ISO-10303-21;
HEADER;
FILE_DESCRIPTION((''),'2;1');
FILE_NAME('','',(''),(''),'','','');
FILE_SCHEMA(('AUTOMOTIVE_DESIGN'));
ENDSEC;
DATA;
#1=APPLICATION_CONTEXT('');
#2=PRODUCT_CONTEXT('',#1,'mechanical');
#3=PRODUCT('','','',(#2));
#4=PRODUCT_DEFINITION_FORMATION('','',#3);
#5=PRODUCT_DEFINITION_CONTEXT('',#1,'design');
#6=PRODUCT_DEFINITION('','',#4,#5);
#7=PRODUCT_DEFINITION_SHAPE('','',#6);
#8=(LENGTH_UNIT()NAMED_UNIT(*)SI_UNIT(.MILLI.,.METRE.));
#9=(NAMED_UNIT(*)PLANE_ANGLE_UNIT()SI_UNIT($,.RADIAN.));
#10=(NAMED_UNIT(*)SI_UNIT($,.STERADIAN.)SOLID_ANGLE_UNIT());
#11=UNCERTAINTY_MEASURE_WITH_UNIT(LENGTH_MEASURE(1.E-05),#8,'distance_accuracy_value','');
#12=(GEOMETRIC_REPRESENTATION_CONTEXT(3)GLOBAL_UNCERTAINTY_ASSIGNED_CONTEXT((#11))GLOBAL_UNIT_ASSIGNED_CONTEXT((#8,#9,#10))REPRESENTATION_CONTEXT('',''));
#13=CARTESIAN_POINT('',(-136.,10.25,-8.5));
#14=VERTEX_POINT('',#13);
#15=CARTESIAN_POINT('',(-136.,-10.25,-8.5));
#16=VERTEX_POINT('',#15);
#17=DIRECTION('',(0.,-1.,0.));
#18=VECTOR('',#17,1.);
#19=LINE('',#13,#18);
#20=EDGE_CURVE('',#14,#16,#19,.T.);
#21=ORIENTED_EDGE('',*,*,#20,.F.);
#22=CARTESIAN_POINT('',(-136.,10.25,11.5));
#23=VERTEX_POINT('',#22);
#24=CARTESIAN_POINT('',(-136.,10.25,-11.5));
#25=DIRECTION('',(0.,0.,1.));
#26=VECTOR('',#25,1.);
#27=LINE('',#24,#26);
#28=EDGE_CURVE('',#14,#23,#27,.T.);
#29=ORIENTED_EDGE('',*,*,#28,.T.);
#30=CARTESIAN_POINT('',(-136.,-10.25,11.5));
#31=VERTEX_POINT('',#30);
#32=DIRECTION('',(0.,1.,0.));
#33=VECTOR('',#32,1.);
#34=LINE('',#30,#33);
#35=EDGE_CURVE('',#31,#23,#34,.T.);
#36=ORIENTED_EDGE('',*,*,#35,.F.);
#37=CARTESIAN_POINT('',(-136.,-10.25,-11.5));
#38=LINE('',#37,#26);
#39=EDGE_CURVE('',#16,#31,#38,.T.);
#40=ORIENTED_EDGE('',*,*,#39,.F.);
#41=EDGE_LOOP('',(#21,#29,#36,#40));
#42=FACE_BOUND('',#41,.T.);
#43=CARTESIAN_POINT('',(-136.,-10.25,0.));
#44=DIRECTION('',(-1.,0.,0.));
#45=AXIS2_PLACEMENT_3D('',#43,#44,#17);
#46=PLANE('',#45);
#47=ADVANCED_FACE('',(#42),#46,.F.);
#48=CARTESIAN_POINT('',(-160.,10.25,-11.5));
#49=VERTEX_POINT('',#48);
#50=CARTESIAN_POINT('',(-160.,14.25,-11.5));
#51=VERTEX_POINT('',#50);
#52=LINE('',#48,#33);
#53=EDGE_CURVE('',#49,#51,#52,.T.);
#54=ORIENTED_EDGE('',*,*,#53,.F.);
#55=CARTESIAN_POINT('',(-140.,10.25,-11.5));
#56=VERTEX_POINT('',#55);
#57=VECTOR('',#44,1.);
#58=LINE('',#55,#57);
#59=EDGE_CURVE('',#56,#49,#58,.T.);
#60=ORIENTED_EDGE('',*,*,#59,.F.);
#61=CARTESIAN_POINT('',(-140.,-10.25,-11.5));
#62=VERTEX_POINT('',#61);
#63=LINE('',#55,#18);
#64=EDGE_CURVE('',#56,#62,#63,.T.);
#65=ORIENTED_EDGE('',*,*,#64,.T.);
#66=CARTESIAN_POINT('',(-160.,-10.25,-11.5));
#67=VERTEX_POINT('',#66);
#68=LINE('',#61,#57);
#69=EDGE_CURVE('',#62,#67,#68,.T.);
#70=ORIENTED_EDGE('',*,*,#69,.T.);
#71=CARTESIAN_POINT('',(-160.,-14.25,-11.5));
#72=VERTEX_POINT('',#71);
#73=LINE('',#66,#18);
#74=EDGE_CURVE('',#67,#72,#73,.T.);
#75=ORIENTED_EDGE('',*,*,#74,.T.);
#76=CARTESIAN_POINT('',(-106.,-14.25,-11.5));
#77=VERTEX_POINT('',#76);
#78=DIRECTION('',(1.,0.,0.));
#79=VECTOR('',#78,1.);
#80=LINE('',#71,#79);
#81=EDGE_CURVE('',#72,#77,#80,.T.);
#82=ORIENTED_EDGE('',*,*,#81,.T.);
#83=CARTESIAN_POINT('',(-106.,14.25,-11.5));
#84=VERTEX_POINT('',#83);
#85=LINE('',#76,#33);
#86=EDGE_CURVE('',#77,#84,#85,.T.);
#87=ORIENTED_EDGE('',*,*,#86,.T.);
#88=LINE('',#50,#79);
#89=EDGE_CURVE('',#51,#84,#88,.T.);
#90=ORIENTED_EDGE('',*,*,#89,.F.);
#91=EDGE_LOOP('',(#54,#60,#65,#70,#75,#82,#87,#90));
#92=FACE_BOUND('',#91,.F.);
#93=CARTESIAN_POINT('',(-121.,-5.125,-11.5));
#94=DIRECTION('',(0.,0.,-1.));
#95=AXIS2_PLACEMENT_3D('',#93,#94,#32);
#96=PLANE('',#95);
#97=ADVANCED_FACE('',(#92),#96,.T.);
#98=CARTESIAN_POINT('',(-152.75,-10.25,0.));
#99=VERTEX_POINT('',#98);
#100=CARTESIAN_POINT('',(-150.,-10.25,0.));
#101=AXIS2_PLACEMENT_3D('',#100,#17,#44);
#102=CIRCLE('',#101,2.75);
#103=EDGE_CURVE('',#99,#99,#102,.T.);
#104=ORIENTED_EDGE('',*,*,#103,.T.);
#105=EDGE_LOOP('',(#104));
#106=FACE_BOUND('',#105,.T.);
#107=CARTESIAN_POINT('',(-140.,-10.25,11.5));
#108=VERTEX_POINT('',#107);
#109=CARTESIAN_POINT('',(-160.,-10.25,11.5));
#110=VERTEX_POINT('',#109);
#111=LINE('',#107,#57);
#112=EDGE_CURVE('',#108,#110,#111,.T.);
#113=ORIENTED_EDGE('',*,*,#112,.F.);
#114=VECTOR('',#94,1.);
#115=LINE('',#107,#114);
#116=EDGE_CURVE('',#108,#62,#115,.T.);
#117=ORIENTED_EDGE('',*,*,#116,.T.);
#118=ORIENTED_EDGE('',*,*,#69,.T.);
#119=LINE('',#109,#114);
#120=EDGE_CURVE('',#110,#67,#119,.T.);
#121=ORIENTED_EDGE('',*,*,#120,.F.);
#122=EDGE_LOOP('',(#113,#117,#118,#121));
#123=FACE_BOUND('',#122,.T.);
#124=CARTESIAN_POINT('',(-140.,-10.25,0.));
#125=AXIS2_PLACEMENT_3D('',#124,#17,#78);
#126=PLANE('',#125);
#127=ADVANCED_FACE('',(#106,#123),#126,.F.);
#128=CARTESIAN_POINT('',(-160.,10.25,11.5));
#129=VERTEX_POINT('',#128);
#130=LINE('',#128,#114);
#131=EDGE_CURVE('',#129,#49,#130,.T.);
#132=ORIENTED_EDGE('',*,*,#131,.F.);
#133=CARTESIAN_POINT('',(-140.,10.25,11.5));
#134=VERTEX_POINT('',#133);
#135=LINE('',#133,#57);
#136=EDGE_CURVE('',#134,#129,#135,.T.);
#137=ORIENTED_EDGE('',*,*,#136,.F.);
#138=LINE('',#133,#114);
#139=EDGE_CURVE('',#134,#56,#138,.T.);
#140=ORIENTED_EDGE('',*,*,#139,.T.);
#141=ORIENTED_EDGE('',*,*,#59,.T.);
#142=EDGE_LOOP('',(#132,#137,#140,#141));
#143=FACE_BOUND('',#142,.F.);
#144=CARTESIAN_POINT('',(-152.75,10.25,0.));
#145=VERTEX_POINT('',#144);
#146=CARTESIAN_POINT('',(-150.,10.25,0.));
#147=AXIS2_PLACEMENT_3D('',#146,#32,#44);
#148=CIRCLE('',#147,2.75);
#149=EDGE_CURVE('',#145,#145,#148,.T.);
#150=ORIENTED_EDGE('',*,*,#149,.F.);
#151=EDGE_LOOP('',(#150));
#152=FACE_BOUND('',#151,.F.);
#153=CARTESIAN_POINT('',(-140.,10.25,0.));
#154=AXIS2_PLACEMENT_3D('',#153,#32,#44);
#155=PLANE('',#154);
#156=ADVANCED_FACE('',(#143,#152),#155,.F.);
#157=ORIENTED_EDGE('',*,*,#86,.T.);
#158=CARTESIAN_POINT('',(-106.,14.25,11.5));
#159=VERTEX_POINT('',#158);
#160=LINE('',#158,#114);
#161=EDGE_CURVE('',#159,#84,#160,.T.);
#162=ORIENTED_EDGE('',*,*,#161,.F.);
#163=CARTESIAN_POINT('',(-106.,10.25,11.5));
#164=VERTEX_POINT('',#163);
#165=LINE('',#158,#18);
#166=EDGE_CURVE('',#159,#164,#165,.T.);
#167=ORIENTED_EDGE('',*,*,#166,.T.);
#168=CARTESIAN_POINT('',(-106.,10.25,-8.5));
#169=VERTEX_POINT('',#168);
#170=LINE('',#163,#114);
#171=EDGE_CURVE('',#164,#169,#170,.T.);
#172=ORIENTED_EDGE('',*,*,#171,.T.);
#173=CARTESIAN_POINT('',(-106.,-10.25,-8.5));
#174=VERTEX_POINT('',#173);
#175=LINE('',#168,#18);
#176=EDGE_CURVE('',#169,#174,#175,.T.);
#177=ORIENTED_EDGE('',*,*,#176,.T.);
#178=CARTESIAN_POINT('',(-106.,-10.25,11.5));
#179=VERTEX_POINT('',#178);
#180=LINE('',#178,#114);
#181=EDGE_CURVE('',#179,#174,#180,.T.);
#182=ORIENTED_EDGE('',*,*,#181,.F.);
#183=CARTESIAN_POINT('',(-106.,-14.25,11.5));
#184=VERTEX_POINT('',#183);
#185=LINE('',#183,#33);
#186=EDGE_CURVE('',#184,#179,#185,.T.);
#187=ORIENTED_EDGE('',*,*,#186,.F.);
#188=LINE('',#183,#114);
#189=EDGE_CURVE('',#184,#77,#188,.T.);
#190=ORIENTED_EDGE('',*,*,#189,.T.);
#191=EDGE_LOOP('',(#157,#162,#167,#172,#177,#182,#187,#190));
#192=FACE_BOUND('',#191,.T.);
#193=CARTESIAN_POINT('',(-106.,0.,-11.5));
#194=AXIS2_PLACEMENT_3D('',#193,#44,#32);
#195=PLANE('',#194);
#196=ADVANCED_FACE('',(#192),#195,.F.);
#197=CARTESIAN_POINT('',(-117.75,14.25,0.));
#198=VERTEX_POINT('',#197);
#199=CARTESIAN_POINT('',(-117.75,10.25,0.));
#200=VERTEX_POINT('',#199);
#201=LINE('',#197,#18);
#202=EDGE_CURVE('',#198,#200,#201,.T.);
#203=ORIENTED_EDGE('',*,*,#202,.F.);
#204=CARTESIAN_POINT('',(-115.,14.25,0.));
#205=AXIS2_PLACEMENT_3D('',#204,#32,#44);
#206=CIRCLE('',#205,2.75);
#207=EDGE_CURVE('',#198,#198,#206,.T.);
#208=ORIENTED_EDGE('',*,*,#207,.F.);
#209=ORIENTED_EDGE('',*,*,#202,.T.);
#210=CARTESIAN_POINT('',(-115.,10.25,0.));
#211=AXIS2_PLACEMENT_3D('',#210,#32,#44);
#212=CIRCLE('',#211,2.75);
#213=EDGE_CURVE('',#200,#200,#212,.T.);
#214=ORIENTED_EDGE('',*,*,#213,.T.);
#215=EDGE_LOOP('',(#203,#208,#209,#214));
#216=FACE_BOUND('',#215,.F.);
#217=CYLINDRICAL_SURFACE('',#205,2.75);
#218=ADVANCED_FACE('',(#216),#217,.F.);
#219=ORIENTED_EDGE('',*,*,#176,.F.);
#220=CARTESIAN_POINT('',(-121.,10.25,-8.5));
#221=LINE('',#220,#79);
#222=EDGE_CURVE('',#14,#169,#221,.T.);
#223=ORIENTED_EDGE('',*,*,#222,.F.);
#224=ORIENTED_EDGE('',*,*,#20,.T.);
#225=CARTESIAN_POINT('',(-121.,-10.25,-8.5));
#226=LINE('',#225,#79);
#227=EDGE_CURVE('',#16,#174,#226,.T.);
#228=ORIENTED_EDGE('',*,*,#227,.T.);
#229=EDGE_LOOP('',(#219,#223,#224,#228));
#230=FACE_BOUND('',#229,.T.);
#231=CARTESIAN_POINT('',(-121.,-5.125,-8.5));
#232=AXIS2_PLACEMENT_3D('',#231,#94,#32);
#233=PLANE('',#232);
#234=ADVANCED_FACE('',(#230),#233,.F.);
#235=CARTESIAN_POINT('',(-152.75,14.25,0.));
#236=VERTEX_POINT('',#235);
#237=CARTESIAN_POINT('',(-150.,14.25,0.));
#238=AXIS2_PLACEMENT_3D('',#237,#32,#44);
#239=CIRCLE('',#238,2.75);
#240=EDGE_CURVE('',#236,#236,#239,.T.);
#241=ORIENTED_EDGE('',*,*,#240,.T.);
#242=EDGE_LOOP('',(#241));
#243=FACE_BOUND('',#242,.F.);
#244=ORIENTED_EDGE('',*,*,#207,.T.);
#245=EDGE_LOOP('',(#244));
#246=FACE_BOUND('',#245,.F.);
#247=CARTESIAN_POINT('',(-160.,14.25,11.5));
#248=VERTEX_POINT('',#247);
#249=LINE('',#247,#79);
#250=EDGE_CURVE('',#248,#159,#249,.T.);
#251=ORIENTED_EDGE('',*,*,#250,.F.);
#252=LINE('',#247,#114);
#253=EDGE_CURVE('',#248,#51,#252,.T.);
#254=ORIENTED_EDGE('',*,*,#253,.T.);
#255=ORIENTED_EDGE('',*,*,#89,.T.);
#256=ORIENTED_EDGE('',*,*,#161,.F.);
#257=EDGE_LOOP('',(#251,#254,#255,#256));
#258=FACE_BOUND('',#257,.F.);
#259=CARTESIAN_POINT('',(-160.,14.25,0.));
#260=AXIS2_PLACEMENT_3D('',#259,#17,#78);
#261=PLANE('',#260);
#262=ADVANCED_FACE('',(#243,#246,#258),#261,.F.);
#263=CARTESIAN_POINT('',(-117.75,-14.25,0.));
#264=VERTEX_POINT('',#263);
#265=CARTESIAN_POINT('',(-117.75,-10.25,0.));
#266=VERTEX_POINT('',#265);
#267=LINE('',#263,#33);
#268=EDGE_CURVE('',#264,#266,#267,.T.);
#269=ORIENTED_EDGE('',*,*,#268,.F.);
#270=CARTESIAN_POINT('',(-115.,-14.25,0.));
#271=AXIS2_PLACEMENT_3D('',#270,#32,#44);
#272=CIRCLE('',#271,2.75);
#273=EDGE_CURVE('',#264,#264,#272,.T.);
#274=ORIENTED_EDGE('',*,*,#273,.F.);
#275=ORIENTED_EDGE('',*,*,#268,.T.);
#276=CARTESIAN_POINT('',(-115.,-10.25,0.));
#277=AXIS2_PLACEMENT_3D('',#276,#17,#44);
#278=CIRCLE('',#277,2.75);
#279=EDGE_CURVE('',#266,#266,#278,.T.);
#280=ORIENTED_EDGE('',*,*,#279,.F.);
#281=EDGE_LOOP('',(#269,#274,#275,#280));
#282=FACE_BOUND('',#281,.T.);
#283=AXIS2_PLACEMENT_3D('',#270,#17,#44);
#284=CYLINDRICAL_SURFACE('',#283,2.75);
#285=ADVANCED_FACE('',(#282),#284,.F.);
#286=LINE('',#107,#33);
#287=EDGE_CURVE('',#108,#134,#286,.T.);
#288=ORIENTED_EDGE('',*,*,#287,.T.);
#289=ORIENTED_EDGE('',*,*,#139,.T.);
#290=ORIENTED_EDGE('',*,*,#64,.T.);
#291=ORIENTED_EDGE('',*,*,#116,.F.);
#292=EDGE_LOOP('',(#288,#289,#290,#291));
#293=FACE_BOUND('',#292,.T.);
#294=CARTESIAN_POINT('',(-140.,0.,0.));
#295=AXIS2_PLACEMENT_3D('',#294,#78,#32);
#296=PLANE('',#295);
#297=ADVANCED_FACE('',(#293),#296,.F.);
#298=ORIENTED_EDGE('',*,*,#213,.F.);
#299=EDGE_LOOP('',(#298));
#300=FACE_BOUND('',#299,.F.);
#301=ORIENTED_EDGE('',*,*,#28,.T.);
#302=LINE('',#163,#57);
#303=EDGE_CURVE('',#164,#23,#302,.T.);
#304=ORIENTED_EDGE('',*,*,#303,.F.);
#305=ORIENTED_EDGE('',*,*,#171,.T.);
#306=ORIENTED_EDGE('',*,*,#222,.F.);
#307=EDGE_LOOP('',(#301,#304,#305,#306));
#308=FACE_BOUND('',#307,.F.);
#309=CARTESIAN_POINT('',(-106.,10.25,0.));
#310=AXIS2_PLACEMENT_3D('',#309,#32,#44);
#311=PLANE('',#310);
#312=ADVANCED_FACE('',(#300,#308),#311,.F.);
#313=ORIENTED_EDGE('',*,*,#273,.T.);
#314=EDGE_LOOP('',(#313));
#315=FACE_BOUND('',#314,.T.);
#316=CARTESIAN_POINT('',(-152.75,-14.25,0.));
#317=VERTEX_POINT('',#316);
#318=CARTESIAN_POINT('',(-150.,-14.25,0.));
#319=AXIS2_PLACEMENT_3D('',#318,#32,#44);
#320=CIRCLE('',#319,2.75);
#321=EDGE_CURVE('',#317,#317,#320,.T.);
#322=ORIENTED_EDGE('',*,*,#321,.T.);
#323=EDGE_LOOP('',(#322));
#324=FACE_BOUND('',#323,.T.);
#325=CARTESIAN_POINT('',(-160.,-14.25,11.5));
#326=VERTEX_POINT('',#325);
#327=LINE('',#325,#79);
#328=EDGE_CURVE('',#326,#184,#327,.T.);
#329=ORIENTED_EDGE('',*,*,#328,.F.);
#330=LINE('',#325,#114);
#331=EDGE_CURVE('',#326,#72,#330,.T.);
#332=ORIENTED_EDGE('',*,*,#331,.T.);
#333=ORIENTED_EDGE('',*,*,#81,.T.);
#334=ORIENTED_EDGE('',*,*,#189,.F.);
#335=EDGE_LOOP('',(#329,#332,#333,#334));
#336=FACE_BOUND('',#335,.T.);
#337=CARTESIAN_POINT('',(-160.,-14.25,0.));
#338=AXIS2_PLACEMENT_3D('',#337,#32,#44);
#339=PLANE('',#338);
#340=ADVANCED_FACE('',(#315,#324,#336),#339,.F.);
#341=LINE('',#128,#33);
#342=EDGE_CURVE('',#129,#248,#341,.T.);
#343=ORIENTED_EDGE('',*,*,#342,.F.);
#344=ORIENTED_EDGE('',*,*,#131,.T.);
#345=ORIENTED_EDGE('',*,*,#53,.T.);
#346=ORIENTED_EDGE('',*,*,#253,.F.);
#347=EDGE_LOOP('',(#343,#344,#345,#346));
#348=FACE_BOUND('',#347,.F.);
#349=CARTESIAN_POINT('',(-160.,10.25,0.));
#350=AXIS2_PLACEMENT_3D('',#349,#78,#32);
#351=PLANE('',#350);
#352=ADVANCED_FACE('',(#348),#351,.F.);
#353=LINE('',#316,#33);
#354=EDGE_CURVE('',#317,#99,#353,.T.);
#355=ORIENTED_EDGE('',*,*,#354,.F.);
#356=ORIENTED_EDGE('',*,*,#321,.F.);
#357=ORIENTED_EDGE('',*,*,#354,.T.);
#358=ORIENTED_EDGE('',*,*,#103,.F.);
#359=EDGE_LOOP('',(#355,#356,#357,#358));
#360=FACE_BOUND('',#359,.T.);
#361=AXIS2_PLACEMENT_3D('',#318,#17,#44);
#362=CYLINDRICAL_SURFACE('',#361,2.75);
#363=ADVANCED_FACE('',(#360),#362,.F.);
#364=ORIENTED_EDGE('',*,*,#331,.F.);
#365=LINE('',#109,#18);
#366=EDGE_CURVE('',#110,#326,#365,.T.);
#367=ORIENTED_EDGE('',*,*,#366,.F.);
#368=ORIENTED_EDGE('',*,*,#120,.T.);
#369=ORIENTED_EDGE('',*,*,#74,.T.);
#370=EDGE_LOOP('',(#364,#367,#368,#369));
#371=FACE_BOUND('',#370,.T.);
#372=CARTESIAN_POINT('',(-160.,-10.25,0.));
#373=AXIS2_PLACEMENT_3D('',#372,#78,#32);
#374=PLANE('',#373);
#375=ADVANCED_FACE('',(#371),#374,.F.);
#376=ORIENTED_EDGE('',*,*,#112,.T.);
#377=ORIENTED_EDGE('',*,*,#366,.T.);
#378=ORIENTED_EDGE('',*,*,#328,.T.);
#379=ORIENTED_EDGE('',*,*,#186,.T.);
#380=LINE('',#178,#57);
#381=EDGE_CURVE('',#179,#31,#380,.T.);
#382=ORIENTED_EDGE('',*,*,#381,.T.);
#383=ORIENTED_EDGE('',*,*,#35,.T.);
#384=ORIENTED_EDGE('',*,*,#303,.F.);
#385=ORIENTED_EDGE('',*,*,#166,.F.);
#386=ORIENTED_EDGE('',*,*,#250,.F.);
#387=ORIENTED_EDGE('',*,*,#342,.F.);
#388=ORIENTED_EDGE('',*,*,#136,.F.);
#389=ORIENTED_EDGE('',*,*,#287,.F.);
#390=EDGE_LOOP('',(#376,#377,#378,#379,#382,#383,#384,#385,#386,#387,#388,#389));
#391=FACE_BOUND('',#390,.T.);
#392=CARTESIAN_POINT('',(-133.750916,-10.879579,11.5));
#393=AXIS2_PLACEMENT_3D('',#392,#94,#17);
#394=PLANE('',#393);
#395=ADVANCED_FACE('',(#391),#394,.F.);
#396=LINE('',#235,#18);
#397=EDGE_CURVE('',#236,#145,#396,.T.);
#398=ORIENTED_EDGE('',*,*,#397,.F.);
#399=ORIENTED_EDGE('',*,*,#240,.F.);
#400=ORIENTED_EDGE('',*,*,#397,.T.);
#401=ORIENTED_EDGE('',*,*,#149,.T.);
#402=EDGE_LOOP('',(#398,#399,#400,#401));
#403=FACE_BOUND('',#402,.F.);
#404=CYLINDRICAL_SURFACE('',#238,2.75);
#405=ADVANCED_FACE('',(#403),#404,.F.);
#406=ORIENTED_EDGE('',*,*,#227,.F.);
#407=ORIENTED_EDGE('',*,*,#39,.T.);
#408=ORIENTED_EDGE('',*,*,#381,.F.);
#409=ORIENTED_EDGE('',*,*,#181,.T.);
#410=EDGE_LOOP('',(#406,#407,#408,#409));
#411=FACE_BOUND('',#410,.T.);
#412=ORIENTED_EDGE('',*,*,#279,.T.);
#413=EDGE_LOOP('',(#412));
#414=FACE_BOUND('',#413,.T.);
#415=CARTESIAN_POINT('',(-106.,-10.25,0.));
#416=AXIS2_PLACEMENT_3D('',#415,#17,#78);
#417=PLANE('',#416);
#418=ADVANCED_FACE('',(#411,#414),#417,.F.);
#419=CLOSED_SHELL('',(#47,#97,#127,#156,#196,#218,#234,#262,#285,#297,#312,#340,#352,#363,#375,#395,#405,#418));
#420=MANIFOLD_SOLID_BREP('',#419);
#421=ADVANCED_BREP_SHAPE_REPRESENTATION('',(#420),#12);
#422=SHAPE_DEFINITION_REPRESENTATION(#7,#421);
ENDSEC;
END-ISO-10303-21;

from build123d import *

# Parameters (mm, degrees)
PAD043_DEPTH            = 11.5
SKETCH069_W             = 10.25
SKETCH069_H             = 30
PAD044_DEPTH            = 3
SKETCH070_R             = 2.75
POCKET020_DEPTH         = 5
BODY033_PLACEMENT_ANGLE = 90


with BuildPart() as part:
    # Sketch068 → Pad043 (new body, symmetric)
    with BuildSketch(Plane.XY):
        Polygon((0, 0), (10.25, 0), (10.25, 20), (14.25, 20), (14.25, -34), (10.25, -34), (10.25, -4), (0, -4), align=None)
    pad043 = extrude(amount=PAD043_DEPTH, both=True)

    # Sketch069 (on Face9 of Pad043) → Pad044 (join)
    with BuildSketch(Plane(origin=(0, 0, -11.5), x_dir=(1, 0, 0), z_dir=(0, 0, -1))):
        with Locations((5.125, 19)):
            Rectangle(SKETCH069_W, SKETCH069_H)
    pad044 = extrude(amount=-PAD044_DEPTH)

    # Sketch070 (on Face9 of Pad044) → Pocket020 (cut)
    with BuildSketch(Plane.YZ.offset(14.25)):
        with Locations((-25, 0)):
            Circle(SKETCH070_R)
        with Locations((10, 0)):
            Circle(SKETCH070_R)
    pocket020 = extrude(amount=-POCKET020_DEPTH, mode=Mode.SUBTRACT)

    # Mirrored019: Pad043, Pad044, Pocket020 across Sketch068 V_Axis
    add(pad043.mirror(Plane(origin=(0, 0, 0), x_dir=(0, 0, 1), z_dir=(1, 0, 0))))
    add(pad044.mirror(Plane(origin=(0, 0, 0), x_dir=(0, 0, 1), z_dir=(1, 0, 0))))
    add(pocket020.mirror(Plane(origin=(0, 0, 0), x_dir=(0, 0, 1), z_dir=(1, 0, 0))), mode=Mode.SUBTRACT)


with BuildPart() as part_1:
    # Body033 placement: moved
    add(part.part.moved(Location((-140, 0, 0))).rotate(Axis((-140, 0, 0), (0, 0, 1)), BODY033_PLACEMENT_ANGLE))


solid = part_1.part
